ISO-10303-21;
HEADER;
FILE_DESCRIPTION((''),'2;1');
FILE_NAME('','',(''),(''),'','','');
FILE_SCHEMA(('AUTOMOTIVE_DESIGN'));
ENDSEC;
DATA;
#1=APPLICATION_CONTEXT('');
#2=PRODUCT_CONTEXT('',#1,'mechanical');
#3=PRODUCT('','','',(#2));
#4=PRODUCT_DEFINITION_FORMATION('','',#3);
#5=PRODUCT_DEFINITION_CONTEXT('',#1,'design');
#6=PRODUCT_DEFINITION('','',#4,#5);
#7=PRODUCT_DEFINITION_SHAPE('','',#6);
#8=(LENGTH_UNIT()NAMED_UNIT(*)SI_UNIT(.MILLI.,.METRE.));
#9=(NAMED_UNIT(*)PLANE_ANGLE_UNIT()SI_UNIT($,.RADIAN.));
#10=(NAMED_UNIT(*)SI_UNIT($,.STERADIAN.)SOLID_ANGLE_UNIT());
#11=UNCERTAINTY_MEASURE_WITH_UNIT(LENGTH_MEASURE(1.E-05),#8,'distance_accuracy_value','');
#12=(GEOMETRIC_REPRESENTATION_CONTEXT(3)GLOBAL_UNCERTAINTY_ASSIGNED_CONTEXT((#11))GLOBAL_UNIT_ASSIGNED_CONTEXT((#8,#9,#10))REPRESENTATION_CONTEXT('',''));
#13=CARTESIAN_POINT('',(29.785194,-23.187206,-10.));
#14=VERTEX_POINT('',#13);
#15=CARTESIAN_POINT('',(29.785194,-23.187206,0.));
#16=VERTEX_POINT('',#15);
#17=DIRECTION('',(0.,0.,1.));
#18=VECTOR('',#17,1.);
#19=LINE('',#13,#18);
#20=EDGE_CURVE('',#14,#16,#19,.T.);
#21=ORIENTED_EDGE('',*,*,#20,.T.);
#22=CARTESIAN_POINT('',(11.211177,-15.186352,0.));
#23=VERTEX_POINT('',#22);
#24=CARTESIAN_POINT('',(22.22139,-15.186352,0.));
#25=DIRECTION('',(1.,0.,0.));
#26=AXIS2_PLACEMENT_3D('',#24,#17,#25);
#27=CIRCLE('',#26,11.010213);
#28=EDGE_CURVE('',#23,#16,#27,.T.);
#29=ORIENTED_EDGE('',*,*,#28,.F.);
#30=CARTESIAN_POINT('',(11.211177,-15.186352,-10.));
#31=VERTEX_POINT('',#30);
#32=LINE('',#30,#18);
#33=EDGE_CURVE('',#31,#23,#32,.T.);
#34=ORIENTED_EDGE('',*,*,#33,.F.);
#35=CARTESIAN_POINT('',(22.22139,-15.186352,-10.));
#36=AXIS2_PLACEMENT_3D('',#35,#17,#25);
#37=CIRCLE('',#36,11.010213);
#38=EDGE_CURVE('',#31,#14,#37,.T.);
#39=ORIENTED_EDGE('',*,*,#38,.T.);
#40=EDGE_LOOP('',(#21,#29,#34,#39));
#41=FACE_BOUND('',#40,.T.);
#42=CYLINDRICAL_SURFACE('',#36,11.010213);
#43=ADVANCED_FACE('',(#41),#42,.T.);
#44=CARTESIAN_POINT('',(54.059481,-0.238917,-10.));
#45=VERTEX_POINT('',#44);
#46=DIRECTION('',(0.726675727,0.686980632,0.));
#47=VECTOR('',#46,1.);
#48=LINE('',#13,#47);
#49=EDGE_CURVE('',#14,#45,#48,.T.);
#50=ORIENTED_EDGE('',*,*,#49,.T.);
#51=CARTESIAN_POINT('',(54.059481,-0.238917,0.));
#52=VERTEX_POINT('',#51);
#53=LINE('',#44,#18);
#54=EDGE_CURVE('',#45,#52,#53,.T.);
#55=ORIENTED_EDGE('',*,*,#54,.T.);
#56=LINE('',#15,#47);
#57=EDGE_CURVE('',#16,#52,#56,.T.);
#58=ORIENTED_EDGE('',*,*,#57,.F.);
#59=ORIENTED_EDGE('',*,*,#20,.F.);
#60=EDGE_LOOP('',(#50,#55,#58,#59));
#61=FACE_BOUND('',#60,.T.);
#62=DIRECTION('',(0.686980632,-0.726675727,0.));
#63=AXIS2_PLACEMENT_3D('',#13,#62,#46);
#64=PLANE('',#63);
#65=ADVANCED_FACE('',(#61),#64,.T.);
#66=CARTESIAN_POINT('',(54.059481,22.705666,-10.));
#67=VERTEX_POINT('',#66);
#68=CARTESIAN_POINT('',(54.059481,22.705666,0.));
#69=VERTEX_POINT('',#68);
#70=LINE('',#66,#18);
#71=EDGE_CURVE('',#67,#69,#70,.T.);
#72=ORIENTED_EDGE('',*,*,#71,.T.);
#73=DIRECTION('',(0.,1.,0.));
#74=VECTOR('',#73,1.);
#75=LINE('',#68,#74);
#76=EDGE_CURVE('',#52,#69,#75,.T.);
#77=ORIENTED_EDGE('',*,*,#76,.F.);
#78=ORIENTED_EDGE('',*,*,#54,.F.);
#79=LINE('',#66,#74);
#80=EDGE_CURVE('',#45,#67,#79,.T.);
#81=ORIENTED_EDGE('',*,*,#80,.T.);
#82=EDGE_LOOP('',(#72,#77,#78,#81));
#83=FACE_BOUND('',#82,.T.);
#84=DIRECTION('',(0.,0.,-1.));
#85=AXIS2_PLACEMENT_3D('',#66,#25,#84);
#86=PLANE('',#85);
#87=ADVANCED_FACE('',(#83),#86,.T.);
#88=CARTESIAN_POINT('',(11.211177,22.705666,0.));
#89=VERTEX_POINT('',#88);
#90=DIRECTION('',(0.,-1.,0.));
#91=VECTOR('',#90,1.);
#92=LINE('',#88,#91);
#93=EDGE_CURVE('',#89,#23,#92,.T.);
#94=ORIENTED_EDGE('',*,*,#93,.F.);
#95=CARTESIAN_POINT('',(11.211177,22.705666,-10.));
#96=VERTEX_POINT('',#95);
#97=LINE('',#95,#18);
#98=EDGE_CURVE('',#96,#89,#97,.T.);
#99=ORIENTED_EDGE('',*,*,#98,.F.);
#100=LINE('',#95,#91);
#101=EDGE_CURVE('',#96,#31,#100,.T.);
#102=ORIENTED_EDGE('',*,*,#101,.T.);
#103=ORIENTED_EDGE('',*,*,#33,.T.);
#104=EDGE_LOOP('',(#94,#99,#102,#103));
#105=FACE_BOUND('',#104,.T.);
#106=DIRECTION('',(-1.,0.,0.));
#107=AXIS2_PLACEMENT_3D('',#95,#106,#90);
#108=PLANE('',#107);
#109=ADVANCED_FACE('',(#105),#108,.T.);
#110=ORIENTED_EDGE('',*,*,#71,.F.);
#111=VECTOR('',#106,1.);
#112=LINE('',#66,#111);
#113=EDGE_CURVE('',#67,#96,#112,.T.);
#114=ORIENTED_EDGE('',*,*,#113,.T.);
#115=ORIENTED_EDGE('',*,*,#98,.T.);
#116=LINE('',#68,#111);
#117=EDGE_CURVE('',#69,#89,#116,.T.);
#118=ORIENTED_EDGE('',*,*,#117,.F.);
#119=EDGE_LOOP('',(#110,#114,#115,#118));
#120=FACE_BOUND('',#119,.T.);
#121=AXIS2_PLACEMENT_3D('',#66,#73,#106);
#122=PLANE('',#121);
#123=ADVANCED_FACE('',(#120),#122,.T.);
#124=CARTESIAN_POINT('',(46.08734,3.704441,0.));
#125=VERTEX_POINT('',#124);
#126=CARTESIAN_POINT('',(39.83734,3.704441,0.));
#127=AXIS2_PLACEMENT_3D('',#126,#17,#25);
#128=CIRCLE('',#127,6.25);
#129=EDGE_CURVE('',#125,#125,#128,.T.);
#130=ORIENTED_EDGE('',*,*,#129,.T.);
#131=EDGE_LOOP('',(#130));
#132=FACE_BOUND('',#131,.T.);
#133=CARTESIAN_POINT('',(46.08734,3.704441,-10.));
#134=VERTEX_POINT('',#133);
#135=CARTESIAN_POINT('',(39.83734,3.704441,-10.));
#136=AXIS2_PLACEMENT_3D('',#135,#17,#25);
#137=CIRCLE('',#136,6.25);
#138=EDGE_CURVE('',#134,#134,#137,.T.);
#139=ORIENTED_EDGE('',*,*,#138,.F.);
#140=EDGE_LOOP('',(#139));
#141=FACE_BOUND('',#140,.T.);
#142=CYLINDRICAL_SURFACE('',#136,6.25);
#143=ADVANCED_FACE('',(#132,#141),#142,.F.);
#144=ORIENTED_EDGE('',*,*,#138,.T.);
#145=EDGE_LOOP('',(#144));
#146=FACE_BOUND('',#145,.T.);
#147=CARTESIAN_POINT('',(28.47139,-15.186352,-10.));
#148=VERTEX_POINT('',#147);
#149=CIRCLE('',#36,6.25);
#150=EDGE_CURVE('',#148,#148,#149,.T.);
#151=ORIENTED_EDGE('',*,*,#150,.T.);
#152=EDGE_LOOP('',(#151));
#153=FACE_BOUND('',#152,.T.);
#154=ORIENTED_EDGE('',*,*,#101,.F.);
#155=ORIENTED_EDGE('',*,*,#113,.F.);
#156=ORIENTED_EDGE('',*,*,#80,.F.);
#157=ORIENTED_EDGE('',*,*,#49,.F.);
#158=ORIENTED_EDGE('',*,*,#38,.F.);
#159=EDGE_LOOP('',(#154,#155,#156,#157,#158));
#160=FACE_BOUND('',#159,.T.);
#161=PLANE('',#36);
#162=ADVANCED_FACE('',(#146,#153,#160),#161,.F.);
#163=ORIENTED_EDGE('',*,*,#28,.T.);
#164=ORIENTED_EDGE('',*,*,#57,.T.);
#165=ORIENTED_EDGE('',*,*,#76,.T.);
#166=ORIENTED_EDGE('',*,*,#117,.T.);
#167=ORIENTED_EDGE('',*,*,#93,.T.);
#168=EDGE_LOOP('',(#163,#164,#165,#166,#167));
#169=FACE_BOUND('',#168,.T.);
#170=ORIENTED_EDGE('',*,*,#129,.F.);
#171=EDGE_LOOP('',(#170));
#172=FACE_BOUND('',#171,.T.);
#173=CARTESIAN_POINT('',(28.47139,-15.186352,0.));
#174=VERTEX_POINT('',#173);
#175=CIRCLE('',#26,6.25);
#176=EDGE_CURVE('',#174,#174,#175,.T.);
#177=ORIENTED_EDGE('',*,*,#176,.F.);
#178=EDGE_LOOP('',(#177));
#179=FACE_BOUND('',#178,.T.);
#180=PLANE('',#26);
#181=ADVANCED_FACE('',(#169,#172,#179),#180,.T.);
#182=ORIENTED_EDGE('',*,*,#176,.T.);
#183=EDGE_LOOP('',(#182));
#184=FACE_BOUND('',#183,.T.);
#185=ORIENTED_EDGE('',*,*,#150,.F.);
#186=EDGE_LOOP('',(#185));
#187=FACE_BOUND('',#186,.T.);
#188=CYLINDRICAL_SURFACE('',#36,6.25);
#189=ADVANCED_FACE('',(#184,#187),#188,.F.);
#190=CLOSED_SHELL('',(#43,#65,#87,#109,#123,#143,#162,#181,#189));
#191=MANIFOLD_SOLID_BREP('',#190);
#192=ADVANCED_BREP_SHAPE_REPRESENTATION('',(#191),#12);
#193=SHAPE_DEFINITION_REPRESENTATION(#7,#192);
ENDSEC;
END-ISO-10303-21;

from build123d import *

# Parameters (mm, degrees)
SKETCH1_R          = 6.25
BASE_EXTRUDE_DEPTH = 10


with BuildPart() as part:
    # Sketch1 → Base-Extrude (new body)
    with BuildSketch(Plane.XY):
        with BuildLine():
            Line((29.785193593, -23.187206185), (54.059480558, -0.238916618))
            Line((54.059480558, -0.238916618), (54.059480558, 22.705666265))
            Line((54.059480558, 22.705666265), (11.211177394, 22.705666265))
            Line((11.211177394, 22.705666265), (11.211177394, -15.186351603))
            ThreePointArc((11.211177394, -15.186351603), (17.865606506, -25.298321636), (29.785193593, -23.187206185))
        make_face()
        with Locations((22.221390463, -15.186351603)):
            Circle(SKETCH1_R, mode=Mode.SUBTRACT)
        with Locations((39.837339904, 3.704441374)):
            Circle(SKETCH1_R, mode=Mode.SUBTRACT)
    extrude(amount=-BASE_EXTRUDE_DEPTH)


solid = part.part
